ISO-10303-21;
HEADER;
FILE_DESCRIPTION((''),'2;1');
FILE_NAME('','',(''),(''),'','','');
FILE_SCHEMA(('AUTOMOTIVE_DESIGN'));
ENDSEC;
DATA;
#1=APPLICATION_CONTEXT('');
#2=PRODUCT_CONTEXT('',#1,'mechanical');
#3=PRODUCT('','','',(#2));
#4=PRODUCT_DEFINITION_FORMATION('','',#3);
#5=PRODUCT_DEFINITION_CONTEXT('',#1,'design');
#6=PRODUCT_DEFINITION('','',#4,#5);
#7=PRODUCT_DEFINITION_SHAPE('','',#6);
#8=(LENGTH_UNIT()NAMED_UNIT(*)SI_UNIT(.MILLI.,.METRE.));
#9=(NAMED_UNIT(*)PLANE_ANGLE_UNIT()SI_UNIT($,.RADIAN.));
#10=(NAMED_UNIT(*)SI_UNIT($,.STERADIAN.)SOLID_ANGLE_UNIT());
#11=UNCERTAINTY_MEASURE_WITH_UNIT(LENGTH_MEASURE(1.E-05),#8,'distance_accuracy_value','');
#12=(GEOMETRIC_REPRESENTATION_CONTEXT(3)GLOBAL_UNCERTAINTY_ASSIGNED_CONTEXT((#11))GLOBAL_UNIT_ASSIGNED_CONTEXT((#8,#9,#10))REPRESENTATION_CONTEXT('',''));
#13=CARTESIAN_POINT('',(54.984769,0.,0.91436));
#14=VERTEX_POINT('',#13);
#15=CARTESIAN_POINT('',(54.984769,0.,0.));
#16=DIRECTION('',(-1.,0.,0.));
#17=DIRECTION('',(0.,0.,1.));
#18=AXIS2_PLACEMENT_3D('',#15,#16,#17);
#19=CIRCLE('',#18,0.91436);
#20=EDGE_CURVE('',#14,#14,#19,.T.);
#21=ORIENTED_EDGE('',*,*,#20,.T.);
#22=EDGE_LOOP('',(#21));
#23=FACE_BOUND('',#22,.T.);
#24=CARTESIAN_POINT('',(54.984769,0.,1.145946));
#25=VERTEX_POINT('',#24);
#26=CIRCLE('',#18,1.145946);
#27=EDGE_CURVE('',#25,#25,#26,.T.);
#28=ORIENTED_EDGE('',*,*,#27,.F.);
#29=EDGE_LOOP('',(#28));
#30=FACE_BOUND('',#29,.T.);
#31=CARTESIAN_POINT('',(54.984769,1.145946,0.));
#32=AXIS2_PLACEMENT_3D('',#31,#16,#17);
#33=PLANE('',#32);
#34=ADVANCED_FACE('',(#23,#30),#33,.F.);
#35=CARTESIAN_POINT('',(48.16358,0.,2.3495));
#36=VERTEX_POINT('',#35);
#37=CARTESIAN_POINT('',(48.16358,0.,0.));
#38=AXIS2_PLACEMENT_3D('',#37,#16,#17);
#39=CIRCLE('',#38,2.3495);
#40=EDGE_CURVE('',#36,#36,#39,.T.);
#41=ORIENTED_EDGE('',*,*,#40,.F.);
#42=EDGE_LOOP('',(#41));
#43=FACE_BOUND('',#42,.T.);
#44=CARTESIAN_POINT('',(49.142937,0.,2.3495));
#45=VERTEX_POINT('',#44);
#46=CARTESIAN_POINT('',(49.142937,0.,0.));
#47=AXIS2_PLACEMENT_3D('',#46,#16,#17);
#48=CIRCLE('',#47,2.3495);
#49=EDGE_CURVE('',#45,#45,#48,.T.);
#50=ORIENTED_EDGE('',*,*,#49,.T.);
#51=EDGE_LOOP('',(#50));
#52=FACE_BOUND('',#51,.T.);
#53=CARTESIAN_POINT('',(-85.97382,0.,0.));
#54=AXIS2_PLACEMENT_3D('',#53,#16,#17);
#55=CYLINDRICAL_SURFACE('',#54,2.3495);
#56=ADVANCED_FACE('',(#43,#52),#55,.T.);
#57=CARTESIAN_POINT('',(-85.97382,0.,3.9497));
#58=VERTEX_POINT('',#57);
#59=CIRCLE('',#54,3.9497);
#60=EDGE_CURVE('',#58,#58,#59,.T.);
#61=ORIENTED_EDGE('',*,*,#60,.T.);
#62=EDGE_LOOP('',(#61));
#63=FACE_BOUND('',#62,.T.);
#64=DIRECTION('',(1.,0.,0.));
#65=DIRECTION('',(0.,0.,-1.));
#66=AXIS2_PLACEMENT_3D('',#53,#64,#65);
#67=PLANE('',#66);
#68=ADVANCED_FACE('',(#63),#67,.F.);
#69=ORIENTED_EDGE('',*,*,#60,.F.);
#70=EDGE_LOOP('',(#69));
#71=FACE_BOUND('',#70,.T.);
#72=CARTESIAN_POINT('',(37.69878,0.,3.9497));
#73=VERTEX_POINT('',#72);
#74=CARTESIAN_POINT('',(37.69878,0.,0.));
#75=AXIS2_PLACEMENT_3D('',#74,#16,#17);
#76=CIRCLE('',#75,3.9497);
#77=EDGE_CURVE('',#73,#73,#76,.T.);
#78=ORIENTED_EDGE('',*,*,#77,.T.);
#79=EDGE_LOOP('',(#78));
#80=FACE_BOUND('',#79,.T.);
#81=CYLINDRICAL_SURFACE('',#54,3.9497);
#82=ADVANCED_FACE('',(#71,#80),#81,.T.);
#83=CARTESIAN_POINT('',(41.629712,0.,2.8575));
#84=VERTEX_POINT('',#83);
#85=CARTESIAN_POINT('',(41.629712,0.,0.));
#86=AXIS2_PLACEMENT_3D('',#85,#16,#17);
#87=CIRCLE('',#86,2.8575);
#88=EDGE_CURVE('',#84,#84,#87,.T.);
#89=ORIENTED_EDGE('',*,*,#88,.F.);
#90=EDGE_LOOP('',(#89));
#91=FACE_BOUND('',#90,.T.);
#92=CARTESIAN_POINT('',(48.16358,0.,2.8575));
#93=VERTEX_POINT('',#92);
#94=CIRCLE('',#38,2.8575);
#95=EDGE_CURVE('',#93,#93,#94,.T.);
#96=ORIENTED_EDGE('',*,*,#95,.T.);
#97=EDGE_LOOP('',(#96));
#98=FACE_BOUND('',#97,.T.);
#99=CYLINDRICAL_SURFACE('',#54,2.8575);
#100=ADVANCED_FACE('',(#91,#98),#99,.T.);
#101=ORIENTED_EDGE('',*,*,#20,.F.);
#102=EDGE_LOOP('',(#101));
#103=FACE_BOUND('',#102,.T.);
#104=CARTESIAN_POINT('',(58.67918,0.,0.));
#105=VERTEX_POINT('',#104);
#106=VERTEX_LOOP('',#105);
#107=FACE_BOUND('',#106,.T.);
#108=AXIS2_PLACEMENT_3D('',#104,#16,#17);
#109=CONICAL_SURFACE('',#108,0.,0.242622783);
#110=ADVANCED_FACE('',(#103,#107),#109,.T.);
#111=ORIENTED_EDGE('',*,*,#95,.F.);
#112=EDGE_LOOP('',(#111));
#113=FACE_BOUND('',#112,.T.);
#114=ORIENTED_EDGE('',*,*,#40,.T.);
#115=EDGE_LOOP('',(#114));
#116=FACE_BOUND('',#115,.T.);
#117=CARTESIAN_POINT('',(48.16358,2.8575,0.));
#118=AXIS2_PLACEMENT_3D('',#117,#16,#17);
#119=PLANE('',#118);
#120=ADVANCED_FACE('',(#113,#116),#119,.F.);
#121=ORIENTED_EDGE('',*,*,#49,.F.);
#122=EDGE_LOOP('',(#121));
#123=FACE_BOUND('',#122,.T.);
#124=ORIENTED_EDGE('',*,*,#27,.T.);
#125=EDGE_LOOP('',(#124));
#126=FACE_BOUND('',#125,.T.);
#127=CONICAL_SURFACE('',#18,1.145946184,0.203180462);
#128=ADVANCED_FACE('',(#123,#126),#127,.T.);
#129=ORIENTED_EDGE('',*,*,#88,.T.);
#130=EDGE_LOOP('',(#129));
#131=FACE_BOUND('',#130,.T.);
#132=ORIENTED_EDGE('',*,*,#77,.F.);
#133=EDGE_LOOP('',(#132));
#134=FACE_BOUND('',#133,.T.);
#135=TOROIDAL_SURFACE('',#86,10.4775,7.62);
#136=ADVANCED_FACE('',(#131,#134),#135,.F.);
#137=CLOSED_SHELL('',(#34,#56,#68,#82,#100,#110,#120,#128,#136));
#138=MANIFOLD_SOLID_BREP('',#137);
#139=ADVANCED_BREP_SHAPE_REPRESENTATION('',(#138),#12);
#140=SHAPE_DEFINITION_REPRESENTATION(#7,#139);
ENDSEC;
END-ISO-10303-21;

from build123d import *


with BuildPart() as part:
    # Sketch1 → Revolve1 (revolve)
    with BuildSketch(Plane.XY):
        with BuildLine():
            Line((-85.973820479, 0), (-85.973820479, 3.9497))
            Line((-85.973820479, 3.9497), (37.698779521, 3.9497))
            ThreePointArc((37.698779521, 3.9497), (39.589789562, 3.135625716), (41.629711619, 2.8575))
            Line((41.629711619, 2.8575), (48.163579521, 2.8575))
            Line((48.163579521, 2.8575), (48.163579521, 2.3495))
            Line((48.163579521, 2.3495), (49.142936851, 2.3495))
            Line((49.142936851, 2.3495), (54.984769387, 1.145946184))
            Line((54.984769387, 1.145946184), (54.984769387, 0.914360397))
            Line((54.984769387, 0.914360397), (58.679179521, 0))
            Line((58.679179521, 0), (-85.973820479, 0))
        make_face()
    revolve(axis=Axis((-85.973820479, 0, 0), (1, 0, 0)))


solid = part.part
